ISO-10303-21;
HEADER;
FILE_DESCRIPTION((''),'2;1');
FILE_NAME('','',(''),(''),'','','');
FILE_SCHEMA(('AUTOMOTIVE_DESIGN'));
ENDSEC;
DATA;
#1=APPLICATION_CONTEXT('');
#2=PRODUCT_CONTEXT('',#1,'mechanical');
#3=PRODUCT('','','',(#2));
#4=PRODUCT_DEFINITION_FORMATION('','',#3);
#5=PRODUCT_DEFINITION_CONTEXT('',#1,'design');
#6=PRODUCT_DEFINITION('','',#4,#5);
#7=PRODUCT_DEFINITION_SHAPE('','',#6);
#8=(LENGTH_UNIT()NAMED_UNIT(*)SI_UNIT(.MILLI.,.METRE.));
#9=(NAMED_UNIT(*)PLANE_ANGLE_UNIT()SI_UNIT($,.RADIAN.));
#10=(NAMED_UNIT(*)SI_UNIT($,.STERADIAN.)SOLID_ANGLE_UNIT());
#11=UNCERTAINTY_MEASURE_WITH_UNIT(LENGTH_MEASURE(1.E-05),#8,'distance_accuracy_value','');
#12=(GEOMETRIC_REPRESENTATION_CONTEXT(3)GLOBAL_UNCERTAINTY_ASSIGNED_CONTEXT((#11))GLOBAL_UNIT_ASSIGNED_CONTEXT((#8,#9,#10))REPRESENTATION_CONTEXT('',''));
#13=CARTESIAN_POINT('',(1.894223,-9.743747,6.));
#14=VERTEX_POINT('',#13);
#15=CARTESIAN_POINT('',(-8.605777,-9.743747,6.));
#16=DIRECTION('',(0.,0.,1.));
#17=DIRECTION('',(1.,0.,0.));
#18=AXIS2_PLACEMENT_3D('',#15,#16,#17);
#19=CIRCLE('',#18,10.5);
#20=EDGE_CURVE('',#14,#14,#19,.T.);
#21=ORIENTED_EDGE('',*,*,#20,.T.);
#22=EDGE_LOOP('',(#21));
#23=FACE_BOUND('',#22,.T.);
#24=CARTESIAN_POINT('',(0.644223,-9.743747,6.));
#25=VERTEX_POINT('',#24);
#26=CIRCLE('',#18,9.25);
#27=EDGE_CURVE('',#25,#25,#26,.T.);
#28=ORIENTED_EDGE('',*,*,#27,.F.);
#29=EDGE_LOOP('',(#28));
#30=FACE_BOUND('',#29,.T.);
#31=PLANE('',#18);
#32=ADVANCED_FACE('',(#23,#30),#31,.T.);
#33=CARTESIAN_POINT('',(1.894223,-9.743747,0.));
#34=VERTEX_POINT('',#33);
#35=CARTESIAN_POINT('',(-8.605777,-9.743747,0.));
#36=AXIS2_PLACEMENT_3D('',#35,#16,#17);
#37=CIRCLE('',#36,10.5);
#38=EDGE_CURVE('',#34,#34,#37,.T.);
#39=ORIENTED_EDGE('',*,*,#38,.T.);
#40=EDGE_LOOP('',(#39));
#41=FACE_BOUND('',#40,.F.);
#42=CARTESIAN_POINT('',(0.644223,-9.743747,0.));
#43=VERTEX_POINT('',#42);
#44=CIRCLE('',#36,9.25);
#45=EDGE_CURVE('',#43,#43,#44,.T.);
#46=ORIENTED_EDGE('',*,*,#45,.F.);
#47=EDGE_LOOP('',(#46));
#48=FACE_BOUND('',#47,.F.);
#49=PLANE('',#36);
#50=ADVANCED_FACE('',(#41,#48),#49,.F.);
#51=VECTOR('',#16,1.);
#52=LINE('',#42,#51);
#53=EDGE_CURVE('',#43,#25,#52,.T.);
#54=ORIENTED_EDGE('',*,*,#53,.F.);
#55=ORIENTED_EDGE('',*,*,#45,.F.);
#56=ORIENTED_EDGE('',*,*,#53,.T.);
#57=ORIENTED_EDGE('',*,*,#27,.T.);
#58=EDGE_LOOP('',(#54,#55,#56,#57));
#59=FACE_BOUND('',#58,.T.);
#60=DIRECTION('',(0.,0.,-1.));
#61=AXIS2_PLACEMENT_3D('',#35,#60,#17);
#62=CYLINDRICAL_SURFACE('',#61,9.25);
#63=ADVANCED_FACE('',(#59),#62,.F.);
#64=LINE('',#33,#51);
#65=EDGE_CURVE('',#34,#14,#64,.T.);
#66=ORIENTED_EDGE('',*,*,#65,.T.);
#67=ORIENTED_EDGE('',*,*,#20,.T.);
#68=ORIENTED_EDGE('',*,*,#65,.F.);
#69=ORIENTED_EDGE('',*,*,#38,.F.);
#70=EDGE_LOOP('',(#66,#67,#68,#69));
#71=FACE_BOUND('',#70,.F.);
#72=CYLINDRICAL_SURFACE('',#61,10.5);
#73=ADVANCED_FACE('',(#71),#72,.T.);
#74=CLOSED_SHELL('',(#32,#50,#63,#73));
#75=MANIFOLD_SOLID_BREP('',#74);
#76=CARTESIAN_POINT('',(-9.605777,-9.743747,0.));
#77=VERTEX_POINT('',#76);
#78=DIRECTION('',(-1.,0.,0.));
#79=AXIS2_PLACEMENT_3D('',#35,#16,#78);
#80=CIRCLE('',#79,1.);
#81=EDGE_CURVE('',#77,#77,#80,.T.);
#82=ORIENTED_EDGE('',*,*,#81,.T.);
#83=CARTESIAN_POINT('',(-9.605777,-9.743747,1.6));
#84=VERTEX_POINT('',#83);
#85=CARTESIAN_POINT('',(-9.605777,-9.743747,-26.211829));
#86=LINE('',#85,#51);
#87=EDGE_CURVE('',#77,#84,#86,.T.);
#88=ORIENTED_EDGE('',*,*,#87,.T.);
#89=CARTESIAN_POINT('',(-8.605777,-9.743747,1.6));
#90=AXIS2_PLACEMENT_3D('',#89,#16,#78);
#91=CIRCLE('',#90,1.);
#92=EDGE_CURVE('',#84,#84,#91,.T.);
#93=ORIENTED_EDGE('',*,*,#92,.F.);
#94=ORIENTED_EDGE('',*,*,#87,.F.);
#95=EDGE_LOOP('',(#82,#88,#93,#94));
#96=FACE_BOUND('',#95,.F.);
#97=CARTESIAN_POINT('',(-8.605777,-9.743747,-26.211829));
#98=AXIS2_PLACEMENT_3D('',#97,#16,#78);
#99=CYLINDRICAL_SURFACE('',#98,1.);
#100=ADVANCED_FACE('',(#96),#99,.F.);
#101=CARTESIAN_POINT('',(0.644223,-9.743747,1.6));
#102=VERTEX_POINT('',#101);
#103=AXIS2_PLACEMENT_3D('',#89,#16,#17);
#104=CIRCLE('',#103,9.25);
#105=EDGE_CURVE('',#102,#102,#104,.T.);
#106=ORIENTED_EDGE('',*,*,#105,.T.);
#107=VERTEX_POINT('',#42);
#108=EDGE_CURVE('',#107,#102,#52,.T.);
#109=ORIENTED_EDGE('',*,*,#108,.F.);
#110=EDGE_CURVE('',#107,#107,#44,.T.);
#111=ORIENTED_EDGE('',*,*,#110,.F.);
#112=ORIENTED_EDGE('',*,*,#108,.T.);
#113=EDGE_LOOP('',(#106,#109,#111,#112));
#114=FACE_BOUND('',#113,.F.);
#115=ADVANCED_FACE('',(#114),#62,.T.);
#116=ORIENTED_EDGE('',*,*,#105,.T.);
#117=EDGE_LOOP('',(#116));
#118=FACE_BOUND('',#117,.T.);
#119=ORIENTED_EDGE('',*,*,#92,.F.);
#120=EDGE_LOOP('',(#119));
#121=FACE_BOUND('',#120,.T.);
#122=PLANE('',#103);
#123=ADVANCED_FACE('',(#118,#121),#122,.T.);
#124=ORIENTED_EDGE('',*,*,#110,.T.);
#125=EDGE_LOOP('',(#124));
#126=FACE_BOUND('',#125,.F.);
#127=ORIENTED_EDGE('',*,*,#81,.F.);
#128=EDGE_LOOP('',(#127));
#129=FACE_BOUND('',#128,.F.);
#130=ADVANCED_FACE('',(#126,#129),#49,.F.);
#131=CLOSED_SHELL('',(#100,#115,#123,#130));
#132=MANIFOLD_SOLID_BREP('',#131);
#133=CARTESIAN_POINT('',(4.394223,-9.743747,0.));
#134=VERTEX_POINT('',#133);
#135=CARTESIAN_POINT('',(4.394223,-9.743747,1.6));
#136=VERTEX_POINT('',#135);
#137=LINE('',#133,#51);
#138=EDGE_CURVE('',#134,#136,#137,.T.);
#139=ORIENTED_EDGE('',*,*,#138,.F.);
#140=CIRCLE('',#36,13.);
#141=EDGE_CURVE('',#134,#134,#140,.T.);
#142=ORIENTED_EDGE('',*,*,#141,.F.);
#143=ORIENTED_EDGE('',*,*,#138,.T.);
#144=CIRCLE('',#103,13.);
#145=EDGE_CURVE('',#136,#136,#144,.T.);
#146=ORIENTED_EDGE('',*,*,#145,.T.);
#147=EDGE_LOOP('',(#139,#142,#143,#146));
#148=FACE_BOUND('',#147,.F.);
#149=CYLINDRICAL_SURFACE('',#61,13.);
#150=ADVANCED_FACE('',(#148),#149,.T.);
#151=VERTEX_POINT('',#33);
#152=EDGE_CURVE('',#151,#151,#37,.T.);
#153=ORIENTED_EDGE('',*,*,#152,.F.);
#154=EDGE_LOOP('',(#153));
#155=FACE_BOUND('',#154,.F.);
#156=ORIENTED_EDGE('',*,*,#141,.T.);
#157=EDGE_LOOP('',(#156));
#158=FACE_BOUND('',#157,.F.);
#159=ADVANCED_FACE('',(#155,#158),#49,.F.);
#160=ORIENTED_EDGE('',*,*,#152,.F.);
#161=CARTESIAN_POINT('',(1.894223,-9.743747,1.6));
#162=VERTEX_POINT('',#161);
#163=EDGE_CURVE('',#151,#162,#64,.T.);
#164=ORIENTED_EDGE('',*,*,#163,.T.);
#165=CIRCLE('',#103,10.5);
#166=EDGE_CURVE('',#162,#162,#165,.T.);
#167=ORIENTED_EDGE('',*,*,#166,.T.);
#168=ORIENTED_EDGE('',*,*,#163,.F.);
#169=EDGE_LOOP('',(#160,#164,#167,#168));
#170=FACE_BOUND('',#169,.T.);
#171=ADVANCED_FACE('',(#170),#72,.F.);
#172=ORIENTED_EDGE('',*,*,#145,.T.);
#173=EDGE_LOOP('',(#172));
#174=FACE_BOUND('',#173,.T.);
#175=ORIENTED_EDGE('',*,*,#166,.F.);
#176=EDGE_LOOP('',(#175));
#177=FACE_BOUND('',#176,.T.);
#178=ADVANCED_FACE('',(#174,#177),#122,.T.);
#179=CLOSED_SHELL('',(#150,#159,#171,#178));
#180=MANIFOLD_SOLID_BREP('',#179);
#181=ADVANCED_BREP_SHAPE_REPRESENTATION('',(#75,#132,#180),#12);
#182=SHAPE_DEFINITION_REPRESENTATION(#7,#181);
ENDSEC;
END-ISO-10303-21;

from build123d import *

# Parameters (mm, degrees)
F0_R     = 13
F0_R_2   = 10.5
F1_DEPTH = 1.6
F0_R_3   = 9.25
F2_DEPTH = 6
F3_D     = 2


with BuildPart() as f1:
    # F0 (on Top) → F1 (new body)
    with BuildSketch(Plane.XY):
        with Locations((-8.6057770987, -9.7437467397)):
            Circle(F0_R)
        with Locations((-8.6057770987, -9.7437467397)):
            Circle(F0_R_2, mode=Mode.SUBTRACT)
    extrude(amount=F1_DEPTH)


with BuildPart() as f1b:
    # F0 (on Top) → F1, piece 2 (new body)
    with BuildSketch(Plane.XY):
        with Locations((-8.6057770987, -9.7437467397)):
            Circle(F0_R_3)
    extrude(amount=F1_DEPTH)

    # F3 (through all)
    with Locations(Plane(origin=(0, 0, 0), x_dir=(1, 0, 0), z_dir=(0, 0, -1))):
        with Locations((-8.6057770987, 9.7437467397)):
            Hole(F3_D / 2)


with BuildPart() as f2:
    # F0 (on Top) → F2 (new body)
    with BuildSketch(Plane.XY):
        with Locations((-8.6057770987, -9.7437467397)):
            Circle(F0_R_2)
        with Locations((-8.6057770987, -9.7437467397)):
            Circle(F0_R_3, mode=Mode.SUBTRACT)
    extrude(amount=F2_DEPTH)


solid = Compound([f1.part, f1b.part, f2.part])
